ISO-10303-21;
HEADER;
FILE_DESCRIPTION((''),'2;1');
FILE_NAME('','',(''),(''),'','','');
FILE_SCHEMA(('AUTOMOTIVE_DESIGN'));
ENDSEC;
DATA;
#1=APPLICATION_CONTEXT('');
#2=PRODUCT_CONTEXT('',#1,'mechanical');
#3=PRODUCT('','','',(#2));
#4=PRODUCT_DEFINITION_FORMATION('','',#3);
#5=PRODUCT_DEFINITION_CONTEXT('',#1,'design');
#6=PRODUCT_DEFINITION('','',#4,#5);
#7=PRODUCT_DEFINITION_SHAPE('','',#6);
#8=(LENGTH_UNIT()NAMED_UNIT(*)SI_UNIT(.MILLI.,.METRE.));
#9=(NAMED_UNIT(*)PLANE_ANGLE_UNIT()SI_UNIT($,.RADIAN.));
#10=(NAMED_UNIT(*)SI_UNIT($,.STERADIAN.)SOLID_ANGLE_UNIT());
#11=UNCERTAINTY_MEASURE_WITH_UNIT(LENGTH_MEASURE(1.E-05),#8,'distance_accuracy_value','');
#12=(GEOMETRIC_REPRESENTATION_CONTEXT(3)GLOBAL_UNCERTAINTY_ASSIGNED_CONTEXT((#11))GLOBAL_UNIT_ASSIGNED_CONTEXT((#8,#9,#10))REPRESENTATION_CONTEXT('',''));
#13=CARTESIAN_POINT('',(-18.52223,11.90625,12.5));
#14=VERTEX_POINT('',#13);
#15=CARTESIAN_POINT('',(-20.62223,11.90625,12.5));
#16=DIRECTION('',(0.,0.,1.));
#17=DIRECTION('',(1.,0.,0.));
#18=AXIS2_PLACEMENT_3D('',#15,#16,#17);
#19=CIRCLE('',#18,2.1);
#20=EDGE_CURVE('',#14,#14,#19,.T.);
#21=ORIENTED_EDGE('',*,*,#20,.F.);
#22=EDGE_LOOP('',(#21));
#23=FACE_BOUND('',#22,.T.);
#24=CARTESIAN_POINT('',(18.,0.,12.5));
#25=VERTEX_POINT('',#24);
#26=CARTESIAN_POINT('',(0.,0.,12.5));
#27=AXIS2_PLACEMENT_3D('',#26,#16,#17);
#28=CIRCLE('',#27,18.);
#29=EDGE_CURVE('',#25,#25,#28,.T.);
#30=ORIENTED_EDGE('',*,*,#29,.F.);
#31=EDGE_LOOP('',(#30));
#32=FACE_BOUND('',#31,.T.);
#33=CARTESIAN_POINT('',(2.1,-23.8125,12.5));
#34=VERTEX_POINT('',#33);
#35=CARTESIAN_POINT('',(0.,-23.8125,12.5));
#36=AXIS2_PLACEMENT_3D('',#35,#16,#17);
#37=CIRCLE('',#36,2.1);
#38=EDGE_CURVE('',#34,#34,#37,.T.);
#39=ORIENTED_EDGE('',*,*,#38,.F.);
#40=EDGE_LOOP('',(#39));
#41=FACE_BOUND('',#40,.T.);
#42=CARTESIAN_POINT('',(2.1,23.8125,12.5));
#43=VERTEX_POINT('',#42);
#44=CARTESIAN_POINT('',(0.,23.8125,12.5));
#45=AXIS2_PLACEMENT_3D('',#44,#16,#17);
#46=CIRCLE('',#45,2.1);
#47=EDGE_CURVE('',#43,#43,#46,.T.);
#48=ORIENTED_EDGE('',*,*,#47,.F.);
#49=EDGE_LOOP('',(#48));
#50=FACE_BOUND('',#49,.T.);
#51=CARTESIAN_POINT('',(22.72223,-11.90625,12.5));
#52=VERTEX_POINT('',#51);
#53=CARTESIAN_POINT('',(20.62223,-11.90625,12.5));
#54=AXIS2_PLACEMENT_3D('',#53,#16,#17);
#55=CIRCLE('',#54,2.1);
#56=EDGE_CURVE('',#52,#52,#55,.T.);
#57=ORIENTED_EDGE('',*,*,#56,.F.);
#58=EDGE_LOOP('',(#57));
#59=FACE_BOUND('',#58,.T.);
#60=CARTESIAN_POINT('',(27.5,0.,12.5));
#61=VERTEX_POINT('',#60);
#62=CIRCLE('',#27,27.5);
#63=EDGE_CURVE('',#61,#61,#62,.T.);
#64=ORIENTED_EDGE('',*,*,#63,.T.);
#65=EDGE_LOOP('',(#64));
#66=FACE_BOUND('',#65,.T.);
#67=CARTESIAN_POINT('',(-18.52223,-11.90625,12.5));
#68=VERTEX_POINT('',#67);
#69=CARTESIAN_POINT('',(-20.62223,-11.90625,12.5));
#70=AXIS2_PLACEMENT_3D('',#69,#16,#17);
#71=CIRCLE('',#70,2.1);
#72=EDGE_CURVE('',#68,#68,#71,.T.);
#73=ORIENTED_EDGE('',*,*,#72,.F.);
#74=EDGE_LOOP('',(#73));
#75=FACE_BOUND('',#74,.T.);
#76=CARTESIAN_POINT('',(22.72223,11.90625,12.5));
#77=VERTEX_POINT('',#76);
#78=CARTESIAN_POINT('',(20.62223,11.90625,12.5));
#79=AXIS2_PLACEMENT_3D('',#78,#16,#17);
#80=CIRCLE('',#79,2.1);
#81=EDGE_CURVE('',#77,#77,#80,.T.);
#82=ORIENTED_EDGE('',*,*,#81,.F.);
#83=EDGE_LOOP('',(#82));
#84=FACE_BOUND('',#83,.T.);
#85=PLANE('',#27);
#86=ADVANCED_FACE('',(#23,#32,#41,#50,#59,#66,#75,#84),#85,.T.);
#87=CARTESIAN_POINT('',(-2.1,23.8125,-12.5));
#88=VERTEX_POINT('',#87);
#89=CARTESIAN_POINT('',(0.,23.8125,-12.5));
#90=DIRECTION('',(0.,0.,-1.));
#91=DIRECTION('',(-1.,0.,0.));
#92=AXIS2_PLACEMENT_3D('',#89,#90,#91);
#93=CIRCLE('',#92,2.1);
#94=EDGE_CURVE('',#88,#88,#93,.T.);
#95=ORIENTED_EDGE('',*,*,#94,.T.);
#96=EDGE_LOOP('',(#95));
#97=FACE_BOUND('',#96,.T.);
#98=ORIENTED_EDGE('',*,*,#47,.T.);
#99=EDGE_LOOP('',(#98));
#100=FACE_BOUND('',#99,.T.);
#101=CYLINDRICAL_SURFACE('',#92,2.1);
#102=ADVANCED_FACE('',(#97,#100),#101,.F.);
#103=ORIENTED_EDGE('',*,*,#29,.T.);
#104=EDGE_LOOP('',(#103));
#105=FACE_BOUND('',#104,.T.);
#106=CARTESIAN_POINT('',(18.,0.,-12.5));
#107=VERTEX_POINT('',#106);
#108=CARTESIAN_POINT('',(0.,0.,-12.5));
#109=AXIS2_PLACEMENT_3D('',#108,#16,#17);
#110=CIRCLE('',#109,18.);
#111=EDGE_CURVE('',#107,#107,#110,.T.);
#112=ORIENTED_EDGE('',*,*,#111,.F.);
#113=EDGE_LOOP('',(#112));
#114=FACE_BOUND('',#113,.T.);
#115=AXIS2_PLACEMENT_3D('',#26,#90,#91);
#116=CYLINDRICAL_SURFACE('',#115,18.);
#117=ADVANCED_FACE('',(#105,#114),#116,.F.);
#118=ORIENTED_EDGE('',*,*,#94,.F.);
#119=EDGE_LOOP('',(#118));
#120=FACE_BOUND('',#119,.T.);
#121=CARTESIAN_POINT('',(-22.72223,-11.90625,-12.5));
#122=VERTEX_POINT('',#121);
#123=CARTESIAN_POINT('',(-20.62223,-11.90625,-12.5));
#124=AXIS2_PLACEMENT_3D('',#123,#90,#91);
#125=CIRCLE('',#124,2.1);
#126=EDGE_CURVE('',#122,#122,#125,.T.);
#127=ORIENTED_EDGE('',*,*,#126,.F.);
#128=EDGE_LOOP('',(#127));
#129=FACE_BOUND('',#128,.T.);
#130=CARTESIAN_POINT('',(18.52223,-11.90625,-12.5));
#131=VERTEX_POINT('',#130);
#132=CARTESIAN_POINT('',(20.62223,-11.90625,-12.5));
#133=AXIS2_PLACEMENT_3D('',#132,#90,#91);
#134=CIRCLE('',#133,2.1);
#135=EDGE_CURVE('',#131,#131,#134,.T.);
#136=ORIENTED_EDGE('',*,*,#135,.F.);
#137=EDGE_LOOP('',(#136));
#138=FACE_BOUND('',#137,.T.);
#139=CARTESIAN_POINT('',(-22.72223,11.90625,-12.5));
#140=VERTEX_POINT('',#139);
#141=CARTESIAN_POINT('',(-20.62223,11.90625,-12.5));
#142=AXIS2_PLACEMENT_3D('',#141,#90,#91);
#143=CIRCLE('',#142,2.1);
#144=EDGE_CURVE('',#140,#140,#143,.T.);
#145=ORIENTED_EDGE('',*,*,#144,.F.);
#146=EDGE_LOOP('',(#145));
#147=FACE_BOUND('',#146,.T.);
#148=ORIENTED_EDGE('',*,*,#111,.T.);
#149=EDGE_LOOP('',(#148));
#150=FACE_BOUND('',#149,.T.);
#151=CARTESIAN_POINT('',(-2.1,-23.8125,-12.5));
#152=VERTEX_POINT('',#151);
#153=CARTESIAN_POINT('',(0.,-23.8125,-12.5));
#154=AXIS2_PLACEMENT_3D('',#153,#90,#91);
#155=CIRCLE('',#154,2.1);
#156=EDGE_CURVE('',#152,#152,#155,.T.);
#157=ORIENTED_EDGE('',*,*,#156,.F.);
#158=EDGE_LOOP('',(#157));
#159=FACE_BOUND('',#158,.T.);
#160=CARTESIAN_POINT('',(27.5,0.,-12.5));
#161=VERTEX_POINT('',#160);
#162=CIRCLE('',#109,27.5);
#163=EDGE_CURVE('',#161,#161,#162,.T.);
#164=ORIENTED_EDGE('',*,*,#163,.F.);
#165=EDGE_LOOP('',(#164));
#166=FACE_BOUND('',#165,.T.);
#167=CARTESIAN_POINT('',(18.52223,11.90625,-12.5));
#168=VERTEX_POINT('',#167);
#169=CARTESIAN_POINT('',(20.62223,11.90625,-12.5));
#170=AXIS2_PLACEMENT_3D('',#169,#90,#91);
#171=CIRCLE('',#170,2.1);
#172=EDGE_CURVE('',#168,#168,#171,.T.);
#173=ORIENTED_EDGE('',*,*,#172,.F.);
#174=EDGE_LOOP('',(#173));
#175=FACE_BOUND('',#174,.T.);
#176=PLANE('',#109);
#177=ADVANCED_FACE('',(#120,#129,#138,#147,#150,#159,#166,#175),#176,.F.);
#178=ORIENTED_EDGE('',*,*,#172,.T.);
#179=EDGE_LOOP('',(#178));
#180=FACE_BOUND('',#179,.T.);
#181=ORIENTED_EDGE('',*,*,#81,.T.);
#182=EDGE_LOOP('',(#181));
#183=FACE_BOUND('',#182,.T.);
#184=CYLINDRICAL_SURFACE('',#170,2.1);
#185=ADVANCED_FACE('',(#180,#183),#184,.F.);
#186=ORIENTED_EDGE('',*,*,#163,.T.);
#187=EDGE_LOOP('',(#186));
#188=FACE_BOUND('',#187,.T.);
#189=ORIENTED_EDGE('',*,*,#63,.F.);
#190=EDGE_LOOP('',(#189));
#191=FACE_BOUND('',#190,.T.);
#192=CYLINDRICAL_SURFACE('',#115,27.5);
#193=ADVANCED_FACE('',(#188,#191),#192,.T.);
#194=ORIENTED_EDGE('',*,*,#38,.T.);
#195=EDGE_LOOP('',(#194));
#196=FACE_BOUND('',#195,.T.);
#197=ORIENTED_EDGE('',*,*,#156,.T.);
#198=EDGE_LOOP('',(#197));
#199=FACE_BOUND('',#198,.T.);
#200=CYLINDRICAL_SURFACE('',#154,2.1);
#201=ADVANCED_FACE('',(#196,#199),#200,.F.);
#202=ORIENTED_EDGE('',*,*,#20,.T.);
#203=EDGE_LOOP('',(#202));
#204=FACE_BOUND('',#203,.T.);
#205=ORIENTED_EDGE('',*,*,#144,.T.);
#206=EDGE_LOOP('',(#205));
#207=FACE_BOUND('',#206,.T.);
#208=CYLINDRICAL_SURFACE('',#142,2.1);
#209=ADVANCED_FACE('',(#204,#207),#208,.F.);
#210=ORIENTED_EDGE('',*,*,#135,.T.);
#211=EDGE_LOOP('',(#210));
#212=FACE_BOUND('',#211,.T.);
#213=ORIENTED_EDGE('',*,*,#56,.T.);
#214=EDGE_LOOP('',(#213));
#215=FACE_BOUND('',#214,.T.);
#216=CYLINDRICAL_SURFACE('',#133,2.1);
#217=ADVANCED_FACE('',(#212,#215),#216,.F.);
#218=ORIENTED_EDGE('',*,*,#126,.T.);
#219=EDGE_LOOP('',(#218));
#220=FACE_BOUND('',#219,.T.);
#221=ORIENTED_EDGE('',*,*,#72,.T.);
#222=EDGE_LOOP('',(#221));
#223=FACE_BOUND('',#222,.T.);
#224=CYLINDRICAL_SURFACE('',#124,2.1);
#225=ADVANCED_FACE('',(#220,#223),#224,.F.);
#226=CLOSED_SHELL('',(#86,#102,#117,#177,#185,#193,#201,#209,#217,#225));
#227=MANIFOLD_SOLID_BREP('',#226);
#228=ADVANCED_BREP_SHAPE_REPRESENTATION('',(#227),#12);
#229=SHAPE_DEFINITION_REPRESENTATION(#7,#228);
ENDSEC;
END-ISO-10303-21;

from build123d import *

# Parameters (mm, degrees)
SKETCH2_R                       = 27.5
SKETCH2_R_2                     = 18
BOSS_EXTRUDE1_DEPTH             = 12.5
TAP_DRILL_FOR_M5X0_8_TAP1_D     = 4.2
TAP_DRILL_FOR_M5X0_8_TAP1_DEPTH = 25.001
CIRPATTERN5_COUNT               = 6


with BuildPart() as part:
    # Sketch2 → Boss-Extrude1 (new body, symmetric)
    with BuildSketch(Plane.XY):
        Circle(SKETCH2_R)
        Circle(SKETCH2_R_2, mode=Mode.SUBTRACT)
    extrude(amount=BOSS_EXTRUDE1_DEPTH, both=True)

    # Tap Drill for M5x0.8 Tap1
    with Locations(Plane(origin=(0, 0, -12.5), x_dir=(-1, 0, 0), z_dir=(0, 0, -1))):
        with Locations((0, 23.8125)):
            tap_drill_for_m5x0_8_tap1 = Hole(TAP_DRILL_FOR_M5X0_8_TAP1_D / 2, depth=TAP_DRILL_FOR_M5X0_8_TAP1_DEPTH)

    # CirPattern5: Tap Drill for M5x0.8 Tap1 ×6 about axis
    cirpattern5_axis = Axis((0, 0, 0), (0, 0, 1))
    for i in range(1, CIRPATTERN5_COUNT):
        add(tap_drill_for_m5x0_8_tap1.rotate(cirpattern5_axis, i * 360 / CIRPATTERN5_COUNT), mode=Mode.SUBTRACT)


solid = part.part
